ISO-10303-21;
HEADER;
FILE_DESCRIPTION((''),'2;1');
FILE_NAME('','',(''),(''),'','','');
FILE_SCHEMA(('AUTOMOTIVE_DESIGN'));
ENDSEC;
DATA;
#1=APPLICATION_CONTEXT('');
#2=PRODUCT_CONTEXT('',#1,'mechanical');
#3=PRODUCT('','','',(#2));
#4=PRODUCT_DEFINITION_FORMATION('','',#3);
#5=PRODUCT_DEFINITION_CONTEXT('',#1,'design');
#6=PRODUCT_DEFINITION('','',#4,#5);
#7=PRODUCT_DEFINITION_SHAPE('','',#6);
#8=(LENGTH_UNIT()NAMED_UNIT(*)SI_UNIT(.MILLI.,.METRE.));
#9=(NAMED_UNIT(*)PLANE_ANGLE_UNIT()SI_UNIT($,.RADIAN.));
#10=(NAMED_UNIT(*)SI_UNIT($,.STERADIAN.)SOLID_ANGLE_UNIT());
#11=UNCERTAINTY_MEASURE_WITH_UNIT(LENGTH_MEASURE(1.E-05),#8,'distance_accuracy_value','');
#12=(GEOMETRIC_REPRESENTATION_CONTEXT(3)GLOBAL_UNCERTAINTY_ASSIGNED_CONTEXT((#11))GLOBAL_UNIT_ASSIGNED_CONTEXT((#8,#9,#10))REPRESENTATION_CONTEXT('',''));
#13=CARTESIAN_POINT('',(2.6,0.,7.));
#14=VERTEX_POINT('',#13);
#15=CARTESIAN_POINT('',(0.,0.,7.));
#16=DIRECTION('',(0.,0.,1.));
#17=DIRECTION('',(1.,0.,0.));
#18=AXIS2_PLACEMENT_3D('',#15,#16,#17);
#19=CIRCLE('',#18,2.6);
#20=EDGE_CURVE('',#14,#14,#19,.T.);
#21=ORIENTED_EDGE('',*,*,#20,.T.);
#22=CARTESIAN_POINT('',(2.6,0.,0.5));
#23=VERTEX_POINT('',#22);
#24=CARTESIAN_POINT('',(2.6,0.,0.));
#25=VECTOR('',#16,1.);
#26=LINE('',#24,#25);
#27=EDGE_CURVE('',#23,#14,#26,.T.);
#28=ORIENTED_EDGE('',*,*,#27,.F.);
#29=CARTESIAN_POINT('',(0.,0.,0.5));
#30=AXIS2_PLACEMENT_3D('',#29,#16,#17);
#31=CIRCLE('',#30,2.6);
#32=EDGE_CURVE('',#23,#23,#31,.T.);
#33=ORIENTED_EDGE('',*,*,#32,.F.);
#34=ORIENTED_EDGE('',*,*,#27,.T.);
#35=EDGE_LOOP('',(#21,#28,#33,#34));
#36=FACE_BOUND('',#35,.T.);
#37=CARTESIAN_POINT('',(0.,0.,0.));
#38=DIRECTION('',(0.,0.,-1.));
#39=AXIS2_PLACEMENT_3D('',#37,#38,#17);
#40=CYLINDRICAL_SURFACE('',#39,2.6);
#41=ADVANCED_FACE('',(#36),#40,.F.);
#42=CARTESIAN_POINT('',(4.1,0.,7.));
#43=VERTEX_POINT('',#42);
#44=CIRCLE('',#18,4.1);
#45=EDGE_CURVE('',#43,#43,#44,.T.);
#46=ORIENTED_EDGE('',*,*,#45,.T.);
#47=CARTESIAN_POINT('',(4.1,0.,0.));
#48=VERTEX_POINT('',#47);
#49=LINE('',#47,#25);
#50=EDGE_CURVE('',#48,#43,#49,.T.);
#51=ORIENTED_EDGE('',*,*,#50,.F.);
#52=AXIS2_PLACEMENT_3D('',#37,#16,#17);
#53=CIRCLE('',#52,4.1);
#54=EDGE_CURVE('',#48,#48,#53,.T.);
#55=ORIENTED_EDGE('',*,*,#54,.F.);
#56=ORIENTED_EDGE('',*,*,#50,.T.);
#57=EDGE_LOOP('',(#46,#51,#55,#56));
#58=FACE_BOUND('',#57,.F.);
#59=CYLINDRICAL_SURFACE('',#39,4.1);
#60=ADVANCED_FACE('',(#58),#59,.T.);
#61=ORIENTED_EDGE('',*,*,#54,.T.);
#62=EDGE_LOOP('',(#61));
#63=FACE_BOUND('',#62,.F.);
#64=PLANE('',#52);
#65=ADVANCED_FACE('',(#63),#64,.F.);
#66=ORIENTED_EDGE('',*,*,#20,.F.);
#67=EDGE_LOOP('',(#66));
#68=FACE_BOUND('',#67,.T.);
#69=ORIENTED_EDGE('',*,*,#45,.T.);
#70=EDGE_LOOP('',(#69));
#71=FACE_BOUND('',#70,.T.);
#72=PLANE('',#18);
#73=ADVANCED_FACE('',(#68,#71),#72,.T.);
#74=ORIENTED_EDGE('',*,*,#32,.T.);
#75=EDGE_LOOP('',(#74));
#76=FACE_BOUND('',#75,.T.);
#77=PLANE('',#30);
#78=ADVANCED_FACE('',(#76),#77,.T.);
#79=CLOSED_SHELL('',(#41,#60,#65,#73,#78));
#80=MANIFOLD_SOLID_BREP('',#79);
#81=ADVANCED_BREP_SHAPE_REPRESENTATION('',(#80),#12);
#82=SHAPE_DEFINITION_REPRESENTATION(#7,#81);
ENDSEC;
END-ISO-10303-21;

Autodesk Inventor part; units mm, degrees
ref_plane "YZ Plane" through (0, 0, 0) normal (1, 0, 0) x (0, 1, 0)
ref_plane "XZ Plane" through (0, 0, 0) normal (0, 1, 0) x (-1, 0, 0)
ref_plane "XY Plane" through (0, 0, 0) normal (0, 0, 1) x (1, 0, 0)
sketch "Sketch1" plane through (0, 0, 0) normal (0, 0, 1) x (1, 0, 0)
  circle A0 centre (0, 0) radius 2.6
  circle A1 centre (0, 0) radius 4.1
  dimension "d0" = 5.2
  dimension "d1" = 8.2
extrude "Extrusion1" add sketch "Sketch1" along normal blind 0.5 contours A0
extrude "Extrusion2" add sketch "Sketch1" along normal blind 7
properties part number "TutupShaftRodaDepan"
